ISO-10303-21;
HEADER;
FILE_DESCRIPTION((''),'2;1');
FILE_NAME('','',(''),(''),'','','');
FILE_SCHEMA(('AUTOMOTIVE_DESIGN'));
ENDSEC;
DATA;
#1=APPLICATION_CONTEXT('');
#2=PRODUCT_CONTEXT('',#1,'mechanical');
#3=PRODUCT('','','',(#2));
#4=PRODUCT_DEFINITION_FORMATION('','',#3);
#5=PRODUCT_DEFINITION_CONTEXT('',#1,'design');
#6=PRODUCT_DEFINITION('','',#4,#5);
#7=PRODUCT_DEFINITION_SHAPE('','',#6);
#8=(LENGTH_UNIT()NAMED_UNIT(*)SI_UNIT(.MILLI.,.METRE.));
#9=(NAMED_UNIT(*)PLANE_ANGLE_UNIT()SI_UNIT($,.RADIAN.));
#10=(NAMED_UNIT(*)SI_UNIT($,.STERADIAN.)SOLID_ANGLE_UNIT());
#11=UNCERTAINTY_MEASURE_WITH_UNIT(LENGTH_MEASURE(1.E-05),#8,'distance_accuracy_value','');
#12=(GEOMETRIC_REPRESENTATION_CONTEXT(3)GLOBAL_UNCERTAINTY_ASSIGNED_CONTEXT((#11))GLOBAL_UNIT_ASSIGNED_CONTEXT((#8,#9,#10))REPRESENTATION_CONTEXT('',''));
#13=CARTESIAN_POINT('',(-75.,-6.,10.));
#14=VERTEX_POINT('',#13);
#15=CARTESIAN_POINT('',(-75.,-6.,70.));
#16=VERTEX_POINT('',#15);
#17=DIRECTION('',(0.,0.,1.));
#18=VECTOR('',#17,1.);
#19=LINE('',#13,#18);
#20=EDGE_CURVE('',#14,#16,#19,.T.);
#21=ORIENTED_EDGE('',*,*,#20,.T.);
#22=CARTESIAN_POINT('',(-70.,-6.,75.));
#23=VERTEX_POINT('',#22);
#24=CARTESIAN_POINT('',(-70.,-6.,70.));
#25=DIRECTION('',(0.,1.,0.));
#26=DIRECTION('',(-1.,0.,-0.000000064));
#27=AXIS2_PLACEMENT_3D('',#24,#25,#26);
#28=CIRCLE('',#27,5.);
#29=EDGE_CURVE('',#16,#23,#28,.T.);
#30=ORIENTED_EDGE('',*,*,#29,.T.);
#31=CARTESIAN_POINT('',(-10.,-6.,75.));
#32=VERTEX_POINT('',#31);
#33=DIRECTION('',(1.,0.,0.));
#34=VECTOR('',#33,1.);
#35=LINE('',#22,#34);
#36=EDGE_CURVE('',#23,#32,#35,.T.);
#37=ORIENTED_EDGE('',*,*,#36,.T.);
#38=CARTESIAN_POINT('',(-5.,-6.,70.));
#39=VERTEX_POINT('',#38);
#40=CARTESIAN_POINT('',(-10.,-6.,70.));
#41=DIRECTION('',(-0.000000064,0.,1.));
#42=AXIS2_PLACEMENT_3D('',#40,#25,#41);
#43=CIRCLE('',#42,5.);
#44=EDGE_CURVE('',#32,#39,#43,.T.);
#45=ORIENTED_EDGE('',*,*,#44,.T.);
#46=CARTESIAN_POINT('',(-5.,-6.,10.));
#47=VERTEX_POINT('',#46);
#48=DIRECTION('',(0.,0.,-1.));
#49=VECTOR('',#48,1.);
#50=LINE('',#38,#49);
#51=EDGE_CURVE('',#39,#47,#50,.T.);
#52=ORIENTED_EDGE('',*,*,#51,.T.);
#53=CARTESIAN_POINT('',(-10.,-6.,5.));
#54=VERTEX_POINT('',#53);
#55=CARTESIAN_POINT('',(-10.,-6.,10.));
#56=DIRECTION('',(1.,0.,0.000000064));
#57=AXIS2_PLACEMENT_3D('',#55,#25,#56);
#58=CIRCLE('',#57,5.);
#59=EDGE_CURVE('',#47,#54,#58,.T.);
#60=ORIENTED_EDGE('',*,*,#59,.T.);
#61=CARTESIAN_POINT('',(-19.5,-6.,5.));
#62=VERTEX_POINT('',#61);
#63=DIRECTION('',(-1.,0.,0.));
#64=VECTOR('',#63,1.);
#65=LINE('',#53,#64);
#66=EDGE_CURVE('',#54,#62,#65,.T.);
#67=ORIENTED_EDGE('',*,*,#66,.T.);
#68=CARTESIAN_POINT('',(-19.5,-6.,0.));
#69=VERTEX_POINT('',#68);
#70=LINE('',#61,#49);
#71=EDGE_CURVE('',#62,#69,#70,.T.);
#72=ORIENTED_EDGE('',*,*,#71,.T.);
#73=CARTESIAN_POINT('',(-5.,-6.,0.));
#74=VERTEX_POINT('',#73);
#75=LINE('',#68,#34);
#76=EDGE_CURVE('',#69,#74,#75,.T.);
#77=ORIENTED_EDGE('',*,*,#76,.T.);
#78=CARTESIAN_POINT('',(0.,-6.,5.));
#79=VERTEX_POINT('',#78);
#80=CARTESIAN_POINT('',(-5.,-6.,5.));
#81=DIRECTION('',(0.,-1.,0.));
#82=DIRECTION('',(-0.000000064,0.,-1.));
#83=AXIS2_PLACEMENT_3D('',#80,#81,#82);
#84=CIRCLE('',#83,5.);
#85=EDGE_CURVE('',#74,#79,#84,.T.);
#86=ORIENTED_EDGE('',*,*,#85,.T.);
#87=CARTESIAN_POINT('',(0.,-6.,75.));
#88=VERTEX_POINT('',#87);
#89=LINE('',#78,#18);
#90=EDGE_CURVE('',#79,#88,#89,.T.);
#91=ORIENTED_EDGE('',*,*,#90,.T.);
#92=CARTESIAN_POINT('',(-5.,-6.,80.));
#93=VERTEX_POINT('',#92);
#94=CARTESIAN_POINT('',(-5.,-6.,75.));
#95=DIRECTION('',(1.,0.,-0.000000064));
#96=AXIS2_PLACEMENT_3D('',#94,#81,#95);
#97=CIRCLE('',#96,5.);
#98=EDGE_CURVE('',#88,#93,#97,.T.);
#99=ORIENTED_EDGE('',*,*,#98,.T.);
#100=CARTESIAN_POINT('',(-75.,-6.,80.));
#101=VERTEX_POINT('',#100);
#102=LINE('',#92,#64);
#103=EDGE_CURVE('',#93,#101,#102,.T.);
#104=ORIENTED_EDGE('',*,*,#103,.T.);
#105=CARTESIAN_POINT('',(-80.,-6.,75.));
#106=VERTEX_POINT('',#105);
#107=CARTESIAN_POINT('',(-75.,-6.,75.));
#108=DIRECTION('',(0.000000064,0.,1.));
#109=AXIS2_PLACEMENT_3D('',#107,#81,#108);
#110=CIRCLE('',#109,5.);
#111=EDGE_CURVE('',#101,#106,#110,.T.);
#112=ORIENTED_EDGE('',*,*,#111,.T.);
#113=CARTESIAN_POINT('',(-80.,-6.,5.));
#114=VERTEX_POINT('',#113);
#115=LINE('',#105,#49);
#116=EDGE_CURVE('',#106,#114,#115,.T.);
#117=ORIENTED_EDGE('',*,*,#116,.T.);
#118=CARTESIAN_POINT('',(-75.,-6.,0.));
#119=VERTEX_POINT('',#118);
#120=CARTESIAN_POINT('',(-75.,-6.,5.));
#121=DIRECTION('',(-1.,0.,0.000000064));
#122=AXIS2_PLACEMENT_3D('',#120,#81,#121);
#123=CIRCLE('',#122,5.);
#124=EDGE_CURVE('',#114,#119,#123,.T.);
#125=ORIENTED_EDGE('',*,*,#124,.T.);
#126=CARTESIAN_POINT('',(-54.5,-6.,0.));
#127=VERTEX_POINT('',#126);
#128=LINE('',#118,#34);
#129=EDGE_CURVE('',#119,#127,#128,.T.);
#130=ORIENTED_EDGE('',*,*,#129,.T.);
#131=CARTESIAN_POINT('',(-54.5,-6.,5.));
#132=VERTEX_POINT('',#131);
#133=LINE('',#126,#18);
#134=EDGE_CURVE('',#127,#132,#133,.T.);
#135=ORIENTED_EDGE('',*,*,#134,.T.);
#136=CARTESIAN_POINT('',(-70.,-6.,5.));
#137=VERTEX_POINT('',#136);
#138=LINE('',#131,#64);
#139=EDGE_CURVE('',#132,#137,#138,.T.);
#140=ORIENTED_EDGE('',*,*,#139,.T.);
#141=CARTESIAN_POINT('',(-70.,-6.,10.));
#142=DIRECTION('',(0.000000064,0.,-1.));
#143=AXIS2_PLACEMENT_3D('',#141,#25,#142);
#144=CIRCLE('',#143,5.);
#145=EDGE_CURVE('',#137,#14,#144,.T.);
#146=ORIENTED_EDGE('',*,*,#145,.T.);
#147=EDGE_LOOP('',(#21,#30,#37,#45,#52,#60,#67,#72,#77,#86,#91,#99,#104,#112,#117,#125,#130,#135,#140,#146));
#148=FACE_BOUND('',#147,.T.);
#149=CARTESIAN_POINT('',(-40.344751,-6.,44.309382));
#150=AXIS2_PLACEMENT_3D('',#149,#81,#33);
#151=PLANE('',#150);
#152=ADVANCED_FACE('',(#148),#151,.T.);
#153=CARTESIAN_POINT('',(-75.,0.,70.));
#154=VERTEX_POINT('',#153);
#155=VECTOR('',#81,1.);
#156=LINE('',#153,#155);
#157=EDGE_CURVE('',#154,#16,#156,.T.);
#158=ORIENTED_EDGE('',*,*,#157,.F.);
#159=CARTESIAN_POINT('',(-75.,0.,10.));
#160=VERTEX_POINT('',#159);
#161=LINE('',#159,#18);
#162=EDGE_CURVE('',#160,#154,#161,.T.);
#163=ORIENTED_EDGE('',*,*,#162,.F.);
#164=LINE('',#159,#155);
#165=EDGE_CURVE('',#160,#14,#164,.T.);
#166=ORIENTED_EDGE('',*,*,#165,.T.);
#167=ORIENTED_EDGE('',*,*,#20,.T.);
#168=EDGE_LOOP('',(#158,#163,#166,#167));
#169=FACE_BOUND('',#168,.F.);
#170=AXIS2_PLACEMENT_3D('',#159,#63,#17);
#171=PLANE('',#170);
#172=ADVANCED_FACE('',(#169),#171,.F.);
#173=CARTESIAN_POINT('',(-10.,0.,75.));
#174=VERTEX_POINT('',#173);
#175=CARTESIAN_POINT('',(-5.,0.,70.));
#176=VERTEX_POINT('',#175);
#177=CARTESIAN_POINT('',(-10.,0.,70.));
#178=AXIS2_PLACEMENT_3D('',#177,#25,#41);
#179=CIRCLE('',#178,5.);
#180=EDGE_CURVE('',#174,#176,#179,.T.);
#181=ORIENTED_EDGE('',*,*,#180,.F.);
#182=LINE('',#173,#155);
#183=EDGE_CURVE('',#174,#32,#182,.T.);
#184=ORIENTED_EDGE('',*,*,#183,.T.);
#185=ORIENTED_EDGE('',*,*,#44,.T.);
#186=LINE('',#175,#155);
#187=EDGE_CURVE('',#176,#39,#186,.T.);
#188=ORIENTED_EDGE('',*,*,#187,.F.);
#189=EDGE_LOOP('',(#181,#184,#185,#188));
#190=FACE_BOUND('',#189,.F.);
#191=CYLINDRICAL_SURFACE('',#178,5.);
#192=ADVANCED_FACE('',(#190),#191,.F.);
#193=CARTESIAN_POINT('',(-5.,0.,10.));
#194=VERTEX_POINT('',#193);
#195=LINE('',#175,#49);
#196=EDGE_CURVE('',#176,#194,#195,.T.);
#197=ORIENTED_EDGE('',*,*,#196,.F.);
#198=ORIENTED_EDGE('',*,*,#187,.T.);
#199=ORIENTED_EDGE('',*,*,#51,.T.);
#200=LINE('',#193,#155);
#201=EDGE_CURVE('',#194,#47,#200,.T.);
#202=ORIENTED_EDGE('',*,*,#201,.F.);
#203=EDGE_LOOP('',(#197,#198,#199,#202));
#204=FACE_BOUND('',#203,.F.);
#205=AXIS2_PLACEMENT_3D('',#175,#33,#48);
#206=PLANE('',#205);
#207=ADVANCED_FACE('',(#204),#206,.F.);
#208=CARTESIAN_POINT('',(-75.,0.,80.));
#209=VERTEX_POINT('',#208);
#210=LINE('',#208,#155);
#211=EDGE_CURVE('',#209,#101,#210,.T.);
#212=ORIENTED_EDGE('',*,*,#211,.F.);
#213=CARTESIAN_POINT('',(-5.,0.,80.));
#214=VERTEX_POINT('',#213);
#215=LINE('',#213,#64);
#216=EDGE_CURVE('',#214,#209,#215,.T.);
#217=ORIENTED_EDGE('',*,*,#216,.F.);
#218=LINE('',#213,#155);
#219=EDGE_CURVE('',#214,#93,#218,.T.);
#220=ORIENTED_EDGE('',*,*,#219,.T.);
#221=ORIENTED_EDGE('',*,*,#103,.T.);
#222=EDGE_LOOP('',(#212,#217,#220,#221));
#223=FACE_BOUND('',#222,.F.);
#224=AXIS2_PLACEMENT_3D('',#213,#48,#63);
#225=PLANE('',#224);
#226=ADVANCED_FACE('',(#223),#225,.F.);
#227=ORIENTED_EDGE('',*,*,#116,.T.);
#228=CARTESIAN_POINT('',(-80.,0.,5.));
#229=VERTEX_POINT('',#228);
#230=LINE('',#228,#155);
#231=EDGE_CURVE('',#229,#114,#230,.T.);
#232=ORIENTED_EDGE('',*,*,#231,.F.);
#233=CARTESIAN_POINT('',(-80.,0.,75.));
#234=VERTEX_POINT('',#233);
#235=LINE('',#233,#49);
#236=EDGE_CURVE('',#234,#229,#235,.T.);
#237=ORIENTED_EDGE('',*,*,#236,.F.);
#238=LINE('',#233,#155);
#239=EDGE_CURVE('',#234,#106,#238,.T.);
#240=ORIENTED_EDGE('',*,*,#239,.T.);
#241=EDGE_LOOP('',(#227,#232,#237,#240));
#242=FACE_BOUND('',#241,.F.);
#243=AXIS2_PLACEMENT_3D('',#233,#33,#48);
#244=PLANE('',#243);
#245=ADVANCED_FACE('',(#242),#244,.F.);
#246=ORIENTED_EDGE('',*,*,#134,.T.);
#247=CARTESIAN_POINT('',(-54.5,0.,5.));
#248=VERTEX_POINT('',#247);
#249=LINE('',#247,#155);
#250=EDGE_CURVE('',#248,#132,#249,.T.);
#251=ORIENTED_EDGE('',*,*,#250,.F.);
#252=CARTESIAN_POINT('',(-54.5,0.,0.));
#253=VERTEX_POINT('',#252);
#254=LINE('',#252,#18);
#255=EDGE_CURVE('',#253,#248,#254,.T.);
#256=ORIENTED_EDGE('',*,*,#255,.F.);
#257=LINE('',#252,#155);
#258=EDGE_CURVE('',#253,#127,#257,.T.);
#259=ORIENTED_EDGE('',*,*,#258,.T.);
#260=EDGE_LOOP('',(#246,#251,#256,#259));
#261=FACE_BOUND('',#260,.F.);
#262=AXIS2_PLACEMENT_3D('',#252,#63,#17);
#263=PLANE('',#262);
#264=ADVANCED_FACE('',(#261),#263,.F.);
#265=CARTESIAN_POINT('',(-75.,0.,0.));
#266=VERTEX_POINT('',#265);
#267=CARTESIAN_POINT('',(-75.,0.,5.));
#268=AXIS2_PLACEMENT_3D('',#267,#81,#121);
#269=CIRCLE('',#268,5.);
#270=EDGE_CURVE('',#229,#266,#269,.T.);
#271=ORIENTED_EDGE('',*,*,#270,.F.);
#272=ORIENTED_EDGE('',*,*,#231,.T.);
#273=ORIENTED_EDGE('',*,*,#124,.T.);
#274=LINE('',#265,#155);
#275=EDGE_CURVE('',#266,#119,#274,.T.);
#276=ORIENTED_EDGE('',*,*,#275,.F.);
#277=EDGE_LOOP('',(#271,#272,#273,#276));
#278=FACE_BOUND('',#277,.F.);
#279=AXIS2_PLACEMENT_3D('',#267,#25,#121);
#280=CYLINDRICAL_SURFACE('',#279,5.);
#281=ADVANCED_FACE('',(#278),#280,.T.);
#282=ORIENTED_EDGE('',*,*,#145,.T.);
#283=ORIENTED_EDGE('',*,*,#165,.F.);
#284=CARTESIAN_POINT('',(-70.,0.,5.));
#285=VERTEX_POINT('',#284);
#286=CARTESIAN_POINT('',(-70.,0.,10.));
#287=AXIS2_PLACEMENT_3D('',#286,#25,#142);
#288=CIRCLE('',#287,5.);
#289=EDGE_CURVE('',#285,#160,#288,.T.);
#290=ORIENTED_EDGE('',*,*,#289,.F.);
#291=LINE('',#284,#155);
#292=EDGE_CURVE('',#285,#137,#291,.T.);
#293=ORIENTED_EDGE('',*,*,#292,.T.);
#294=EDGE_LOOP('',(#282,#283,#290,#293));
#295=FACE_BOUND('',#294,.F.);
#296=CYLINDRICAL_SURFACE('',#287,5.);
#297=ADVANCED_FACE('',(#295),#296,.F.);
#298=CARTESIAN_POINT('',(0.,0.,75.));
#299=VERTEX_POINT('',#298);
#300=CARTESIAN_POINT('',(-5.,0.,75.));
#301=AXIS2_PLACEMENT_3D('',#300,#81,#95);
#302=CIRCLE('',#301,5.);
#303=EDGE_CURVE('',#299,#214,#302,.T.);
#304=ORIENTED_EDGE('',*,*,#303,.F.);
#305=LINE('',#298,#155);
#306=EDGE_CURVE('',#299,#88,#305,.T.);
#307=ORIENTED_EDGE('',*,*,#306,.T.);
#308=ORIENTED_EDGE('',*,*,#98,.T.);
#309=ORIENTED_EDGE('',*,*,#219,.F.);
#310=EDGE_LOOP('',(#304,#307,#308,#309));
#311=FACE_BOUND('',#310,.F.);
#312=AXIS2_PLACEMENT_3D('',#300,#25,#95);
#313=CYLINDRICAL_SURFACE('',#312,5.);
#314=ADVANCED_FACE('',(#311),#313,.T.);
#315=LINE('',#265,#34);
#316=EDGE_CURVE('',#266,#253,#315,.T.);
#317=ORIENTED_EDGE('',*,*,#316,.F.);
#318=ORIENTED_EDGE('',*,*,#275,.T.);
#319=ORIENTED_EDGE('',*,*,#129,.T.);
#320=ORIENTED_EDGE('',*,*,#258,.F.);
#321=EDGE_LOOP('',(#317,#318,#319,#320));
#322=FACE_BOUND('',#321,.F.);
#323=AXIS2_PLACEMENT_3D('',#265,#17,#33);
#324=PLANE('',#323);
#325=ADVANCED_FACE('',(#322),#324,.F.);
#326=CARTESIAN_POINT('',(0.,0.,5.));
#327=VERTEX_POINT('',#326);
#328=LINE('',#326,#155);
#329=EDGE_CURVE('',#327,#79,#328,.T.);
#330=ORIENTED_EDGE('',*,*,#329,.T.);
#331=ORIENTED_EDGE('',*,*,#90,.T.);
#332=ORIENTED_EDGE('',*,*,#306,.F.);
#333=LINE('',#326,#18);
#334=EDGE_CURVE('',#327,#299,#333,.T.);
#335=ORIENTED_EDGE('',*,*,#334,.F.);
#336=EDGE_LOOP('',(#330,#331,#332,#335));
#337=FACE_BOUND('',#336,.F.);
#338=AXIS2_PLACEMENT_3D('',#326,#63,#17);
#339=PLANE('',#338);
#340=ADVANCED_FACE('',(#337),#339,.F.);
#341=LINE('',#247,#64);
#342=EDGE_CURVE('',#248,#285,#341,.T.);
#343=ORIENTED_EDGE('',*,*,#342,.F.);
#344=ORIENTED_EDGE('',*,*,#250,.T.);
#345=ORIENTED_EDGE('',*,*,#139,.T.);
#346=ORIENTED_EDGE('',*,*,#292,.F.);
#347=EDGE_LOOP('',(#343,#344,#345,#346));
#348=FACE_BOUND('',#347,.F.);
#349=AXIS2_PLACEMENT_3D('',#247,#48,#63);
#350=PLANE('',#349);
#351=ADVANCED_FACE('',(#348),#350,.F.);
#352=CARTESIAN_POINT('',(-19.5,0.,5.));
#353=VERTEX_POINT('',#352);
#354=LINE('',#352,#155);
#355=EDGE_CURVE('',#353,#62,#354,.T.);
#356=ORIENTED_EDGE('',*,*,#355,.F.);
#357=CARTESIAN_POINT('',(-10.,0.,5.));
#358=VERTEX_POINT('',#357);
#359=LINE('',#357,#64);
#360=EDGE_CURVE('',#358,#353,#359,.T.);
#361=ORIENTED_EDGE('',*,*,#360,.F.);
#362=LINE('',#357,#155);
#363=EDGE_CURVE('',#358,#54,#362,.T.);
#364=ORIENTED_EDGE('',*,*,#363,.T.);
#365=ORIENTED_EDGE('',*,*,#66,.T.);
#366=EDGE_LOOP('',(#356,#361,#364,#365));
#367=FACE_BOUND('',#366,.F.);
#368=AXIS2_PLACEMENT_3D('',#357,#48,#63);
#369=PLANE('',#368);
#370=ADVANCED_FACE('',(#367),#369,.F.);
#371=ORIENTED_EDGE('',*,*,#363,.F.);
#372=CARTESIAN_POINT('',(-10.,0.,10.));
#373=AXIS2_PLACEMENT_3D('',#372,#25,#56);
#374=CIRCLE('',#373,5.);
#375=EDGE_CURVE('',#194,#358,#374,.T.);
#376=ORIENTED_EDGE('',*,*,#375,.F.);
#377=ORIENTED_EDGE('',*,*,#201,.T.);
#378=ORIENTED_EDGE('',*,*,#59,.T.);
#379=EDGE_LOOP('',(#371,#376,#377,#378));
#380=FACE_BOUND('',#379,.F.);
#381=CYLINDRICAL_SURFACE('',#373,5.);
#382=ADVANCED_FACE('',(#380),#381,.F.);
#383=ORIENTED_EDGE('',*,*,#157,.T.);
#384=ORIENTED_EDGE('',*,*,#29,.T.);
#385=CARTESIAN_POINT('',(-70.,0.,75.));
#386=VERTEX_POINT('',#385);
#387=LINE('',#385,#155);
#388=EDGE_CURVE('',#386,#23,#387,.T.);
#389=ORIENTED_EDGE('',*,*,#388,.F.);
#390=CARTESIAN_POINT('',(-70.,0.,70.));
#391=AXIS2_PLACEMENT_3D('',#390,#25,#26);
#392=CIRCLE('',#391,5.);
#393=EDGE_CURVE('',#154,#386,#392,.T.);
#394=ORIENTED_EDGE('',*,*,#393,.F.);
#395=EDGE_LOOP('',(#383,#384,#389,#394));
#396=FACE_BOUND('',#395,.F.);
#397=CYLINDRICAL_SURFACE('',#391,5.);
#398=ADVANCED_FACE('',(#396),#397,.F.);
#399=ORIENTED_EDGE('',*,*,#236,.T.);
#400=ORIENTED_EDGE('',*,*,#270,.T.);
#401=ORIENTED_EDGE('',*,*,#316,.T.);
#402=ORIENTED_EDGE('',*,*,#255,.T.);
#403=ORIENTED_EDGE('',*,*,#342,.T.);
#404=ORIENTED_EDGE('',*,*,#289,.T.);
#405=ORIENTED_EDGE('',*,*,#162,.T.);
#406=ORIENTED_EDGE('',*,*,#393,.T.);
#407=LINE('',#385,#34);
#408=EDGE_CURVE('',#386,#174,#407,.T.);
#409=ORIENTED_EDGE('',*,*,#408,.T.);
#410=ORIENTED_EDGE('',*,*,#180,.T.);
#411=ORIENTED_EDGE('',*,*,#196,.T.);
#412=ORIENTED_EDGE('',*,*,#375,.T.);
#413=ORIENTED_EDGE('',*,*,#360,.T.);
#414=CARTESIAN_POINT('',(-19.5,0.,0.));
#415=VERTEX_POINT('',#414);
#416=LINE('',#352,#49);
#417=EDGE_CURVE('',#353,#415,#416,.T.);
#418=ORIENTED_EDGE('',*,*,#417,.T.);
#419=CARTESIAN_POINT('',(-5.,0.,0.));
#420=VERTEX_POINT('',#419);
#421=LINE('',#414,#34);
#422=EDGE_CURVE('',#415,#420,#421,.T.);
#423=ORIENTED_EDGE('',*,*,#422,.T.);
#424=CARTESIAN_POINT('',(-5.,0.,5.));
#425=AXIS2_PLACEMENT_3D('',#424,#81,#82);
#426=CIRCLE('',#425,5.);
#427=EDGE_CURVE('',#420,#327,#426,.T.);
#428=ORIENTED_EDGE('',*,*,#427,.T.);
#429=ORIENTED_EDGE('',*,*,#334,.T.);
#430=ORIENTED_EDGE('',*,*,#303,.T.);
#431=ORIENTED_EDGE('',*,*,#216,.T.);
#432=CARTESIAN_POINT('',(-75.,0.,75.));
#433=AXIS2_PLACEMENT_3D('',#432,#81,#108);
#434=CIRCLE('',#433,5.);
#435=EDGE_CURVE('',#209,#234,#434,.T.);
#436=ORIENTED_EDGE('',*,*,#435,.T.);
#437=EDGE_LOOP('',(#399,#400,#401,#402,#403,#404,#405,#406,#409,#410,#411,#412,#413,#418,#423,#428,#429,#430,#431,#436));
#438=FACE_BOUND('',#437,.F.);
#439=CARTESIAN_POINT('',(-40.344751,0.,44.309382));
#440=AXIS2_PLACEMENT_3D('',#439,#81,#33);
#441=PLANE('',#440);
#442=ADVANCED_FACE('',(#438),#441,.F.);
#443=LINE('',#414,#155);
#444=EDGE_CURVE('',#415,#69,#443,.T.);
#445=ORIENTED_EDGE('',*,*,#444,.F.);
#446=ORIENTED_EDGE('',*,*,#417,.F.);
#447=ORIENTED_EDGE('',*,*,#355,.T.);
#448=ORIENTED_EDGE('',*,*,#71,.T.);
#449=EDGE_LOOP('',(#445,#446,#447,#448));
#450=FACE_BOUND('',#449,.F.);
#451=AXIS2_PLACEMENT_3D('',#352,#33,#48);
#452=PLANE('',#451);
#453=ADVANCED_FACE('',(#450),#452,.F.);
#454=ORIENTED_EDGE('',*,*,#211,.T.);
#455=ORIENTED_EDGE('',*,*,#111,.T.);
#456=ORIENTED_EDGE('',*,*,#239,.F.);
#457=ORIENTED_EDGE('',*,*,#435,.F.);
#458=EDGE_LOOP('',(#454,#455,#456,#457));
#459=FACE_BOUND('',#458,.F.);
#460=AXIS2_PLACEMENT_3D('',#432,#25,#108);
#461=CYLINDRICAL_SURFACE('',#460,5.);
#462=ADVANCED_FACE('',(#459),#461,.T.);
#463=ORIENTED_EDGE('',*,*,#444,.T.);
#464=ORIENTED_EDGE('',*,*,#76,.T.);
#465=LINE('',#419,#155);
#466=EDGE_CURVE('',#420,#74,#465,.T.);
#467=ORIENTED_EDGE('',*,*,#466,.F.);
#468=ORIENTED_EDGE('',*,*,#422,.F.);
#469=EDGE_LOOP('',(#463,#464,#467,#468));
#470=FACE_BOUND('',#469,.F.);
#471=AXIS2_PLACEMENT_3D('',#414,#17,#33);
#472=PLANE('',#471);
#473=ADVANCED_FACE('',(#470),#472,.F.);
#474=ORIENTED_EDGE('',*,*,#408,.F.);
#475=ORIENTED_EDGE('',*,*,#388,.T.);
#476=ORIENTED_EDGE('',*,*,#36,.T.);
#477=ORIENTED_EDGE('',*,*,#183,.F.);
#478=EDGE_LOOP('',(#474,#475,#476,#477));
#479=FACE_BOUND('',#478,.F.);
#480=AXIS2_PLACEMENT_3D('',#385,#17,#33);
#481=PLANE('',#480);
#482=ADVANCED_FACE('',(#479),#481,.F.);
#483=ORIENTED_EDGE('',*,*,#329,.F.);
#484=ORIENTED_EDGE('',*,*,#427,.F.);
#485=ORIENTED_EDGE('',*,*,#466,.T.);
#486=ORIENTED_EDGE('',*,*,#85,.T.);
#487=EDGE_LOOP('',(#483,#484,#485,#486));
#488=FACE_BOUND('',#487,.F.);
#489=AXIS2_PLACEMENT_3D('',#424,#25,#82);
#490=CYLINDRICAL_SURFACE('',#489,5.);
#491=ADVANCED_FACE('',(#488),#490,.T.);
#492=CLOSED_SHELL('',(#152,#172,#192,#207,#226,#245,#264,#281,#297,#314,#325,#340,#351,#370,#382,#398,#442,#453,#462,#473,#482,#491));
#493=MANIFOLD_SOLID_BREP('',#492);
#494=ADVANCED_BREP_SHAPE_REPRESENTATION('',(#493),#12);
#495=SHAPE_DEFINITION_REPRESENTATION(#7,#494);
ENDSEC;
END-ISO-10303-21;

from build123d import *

# Parameters (mm, degrees)
F1_DEPTH = 6


with BuildPart() as f1:
    # F0 (on Front) → F1 (new body)
    with BuildSketch(Plane.XZ):
        with BuildLine():
            Line((-19.5, 0), (-5, 0))
            ThreePointArc((-5, 0), (-1.464466, 1.464466), (0, 5))
            Line((0, 5), (0, 75))
            ThreePointArc((0, 75), (-1.464466, 78.535534), (-5, 80))
            Line((-5, 80), (-75, 80))
            ThreePointArc((-75, 80), (-78.535534, 78.535534), (-80, 75))
            Line((-80, 75), (-80, 5))
            ThreePointArc((-80, 5), (-78.535534, 1.464466), (-75, 0))
            Line((-75, 0), (-54.5, 0))
            Line((-54.5, 0), (-54.5, 5))
            Line((-54.5, 5), (-70, 5))
            ThreePointArc((-70, 5), (-73.535534, 6.464466), (-75, 10))
            Line((-75, 10), (-75, 70))
            ThreePointArc((-75, 70), (-73.535534, 73.535534), (-70, 75))
            Line((-70, 75), (-10, 75))
            ThreePointArc((-10, 75), (-6.464466, 73.535534), (-5, 70))
            Line((-5, 70), (-5, 10))
            ThreePointArc((-5, 10), (-6.464466, 6.464466), (-10, 5))
            Line((-10, 5), (-19.5, 5))
            Line((-19.5, 5), (-19.5, 0))
        make_face()
    extrude(amount=F1_DEPTH)


solid = f1.part
